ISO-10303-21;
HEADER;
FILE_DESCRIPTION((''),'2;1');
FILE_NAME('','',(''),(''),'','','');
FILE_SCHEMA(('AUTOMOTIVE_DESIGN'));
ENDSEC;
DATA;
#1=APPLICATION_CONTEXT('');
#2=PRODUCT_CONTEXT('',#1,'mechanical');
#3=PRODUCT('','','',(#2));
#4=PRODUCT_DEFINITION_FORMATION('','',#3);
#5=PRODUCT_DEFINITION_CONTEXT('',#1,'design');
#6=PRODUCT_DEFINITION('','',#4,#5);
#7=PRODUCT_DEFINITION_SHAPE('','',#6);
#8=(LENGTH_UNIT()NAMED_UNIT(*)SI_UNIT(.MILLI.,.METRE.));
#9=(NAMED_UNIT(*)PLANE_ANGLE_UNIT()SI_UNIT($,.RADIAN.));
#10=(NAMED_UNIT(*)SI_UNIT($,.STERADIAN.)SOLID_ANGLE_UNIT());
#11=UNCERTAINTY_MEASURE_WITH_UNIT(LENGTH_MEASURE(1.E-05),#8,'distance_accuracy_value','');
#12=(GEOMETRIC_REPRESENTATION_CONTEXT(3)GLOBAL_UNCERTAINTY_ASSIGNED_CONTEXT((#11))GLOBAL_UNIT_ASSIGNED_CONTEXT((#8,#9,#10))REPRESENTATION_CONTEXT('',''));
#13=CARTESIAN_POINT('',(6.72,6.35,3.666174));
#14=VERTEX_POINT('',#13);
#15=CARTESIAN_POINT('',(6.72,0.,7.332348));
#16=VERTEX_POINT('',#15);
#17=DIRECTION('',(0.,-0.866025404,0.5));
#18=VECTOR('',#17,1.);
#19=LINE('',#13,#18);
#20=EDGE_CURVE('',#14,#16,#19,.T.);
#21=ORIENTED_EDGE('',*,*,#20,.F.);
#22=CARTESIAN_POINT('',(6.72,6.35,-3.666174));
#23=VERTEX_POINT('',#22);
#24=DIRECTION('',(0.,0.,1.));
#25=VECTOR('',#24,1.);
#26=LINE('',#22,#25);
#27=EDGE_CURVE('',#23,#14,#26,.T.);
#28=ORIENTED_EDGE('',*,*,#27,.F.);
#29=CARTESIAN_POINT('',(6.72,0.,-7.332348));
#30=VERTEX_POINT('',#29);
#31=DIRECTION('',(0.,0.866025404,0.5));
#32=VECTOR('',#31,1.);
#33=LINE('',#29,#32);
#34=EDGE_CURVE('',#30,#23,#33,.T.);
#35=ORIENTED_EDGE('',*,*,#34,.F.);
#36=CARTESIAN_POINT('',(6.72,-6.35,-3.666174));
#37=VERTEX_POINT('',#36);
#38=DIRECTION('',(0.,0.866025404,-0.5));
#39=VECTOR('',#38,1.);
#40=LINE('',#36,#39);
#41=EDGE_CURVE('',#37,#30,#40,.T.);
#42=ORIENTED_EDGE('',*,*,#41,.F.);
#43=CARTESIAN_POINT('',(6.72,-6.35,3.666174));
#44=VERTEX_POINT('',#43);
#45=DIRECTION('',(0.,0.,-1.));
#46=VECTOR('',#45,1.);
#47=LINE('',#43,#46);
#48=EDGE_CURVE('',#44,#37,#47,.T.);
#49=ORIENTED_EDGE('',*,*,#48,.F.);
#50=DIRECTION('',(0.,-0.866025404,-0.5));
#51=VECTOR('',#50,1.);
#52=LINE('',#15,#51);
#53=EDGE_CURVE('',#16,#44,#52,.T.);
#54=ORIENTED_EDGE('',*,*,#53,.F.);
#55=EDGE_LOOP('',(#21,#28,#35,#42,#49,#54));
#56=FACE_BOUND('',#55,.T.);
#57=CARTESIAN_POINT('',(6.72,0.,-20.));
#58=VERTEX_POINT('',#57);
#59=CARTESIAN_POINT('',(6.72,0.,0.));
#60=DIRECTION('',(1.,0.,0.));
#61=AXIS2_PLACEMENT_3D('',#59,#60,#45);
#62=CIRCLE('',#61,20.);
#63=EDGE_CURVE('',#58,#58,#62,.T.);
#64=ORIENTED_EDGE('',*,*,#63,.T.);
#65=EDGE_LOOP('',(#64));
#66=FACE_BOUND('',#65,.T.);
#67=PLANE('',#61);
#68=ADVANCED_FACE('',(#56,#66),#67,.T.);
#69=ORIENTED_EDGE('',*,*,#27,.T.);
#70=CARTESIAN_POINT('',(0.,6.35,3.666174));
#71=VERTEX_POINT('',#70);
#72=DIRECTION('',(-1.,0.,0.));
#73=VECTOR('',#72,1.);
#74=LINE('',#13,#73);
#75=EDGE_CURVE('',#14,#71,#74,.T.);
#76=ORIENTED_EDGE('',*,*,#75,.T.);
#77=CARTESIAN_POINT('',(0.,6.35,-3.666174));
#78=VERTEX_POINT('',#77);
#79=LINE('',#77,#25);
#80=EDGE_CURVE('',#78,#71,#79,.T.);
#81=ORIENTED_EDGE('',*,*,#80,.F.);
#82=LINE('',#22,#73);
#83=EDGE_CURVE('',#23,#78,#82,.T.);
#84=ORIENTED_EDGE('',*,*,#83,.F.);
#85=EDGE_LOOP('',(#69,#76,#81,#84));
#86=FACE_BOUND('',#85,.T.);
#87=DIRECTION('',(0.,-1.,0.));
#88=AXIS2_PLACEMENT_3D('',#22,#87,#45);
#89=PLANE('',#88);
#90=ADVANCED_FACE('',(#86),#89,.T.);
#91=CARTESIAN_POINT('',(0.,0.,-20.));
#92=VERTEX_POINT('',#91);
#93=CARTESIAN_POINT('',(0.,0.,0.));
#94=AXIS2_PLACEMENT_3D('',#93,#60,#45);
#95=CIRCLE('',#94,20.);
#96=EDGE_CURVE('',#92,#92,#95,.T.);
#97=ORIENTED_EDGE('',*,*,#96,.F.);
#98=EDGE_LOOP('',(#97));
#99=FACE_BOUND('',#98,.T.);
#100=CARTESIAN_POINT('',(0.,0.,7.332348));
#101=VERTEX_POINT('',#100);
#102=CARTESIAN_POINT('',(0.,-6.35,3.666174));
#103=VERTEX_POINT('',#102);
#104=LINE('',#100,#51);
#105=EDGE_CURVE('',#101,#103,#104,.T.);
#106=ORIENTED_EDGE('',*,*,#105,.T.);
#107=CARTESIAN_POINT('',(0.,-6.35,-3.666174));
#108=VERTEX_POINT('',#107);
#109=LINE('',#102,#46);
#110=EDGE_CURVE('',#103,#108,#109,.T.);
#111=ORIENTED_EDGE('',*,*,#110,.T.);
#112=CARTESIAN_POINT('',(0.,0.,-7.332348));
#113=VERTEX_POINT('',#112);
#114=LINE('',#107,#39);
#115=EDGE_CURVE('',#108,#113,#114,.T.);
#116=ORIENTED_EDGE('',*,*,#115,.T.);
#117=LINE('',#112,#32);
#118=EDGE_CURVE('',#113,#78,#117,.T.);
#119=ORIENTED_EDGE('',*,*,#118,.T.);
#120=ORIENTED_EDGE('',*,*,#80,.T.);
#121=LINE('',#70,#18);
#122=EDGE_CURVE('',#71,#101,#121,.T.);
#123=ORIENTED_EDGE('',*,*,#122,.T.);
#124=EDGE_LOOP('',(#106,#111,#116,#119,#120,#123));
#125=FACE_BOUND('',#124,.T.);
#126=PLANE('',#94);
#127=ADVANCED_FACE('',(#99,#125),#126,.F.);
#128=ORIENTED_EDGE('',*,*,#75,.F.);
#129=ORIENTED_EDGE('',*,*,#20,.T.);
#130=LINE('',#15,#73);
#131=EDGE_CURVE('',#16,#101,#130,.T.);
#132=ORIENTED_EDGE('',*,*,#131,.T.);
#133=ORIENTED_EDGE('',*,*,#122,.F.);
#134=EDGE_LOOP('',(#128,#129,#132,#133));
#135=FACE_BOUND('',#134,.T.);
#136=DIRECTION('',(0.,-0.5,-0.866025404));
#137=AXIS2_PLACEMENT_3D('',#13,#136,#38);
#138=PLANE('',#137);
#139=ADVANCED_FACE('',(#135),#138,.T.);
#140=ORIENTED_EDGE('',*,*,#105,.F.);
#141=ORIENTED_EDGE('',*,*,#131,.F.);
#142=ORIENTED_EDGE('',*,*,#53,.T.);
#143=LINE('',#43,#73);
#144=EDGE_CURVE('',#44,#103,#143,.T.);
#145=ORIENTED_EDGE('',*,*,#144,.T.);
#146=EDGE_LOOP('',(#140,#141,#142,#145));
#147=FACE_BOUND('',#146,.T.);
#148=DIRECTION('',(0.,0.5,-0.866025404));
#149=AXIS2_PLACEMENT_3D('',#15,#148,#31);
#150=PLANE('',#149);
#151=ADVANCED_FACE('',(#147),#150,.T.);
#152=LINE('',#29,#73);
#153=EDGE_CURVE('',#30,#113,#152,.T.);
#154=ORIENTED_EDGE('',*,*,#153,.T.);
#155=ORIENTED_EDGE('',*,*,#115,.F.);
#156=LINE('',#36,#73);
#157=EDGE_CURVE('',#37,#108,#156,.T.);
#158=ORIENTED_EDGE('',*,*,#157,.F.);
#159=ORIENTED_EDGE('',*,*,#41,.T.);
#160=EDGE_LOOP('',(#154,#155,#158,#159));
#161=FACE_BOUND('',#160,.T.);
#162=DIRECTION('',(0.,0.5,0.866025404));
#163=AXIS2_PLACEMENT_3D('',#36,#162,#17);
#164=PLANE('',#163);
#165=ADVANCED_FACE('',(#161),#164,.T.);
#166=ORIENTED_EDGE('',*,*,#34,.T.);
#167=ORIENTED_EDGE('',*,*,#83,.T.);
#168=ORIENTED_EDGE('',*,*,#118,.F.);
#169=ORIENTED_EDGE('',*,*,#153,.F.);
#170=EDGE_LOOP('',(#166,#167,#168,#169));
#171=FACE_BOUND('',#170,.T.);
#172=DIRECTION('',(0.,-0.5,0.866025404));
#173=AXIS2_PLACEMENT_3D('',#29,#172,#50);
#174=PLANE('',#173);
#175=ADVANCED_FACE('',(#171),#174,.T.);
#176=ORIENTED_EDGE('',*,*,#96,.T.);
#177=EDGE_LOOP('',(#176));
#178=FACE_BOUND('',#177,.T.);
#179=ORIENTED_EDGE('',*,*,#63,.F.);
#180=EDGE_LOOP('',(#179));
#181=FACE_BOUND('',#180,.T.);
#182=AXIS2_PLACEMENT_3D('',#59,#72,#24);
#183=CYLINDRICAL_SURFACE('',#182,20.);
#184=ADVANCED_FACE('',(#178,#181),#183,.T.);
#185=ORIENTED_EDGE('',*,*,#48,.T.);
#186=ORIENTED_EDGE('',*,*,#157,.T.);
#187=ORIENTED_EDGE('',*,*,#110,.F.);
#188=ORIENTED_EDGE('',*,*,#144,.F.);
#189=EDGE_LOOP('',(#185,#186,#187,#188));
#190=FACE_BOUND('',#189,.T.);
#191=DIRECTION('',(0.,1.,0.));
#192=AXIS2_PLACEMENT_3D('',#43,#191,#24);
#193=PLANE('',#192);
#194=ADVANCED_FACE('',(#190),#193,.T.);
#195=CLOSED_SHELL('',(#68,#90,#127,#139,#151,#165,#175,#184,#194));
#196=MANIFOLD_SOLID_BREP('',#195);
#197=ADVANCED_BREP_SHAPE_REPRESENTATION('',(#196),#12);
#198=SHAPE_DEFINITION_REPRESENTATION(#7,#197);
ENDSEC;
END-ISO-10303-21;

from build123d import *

# Parameters (mm, degrees)
CROQUIS1_R              = 20
SALIENTE_EXTRUIR1_DEPTH = 6.72


with BuildPart() as part:
    # Croquis1 → Saliente-Extruir1 (new body)
    with BuildSketch(Plane(origin=(0, 0, 0), x_dir=(0, 0, -1), z_dir=(1, 0, 0))):
        Circle(CROQUIS1_R)
        Polygon((7.332348419, 0), (3.666174209, 6.35), (-3.666174209, 6.35), (-7.332348419, 0), (-3.666174209, -6.35), (3.666174209, -6.35), align=None, mode=Mode.SUBTRACT)
    extrude(amount=SALIENTE_EXTRUIR1_DEPTH)


solid = part.part
